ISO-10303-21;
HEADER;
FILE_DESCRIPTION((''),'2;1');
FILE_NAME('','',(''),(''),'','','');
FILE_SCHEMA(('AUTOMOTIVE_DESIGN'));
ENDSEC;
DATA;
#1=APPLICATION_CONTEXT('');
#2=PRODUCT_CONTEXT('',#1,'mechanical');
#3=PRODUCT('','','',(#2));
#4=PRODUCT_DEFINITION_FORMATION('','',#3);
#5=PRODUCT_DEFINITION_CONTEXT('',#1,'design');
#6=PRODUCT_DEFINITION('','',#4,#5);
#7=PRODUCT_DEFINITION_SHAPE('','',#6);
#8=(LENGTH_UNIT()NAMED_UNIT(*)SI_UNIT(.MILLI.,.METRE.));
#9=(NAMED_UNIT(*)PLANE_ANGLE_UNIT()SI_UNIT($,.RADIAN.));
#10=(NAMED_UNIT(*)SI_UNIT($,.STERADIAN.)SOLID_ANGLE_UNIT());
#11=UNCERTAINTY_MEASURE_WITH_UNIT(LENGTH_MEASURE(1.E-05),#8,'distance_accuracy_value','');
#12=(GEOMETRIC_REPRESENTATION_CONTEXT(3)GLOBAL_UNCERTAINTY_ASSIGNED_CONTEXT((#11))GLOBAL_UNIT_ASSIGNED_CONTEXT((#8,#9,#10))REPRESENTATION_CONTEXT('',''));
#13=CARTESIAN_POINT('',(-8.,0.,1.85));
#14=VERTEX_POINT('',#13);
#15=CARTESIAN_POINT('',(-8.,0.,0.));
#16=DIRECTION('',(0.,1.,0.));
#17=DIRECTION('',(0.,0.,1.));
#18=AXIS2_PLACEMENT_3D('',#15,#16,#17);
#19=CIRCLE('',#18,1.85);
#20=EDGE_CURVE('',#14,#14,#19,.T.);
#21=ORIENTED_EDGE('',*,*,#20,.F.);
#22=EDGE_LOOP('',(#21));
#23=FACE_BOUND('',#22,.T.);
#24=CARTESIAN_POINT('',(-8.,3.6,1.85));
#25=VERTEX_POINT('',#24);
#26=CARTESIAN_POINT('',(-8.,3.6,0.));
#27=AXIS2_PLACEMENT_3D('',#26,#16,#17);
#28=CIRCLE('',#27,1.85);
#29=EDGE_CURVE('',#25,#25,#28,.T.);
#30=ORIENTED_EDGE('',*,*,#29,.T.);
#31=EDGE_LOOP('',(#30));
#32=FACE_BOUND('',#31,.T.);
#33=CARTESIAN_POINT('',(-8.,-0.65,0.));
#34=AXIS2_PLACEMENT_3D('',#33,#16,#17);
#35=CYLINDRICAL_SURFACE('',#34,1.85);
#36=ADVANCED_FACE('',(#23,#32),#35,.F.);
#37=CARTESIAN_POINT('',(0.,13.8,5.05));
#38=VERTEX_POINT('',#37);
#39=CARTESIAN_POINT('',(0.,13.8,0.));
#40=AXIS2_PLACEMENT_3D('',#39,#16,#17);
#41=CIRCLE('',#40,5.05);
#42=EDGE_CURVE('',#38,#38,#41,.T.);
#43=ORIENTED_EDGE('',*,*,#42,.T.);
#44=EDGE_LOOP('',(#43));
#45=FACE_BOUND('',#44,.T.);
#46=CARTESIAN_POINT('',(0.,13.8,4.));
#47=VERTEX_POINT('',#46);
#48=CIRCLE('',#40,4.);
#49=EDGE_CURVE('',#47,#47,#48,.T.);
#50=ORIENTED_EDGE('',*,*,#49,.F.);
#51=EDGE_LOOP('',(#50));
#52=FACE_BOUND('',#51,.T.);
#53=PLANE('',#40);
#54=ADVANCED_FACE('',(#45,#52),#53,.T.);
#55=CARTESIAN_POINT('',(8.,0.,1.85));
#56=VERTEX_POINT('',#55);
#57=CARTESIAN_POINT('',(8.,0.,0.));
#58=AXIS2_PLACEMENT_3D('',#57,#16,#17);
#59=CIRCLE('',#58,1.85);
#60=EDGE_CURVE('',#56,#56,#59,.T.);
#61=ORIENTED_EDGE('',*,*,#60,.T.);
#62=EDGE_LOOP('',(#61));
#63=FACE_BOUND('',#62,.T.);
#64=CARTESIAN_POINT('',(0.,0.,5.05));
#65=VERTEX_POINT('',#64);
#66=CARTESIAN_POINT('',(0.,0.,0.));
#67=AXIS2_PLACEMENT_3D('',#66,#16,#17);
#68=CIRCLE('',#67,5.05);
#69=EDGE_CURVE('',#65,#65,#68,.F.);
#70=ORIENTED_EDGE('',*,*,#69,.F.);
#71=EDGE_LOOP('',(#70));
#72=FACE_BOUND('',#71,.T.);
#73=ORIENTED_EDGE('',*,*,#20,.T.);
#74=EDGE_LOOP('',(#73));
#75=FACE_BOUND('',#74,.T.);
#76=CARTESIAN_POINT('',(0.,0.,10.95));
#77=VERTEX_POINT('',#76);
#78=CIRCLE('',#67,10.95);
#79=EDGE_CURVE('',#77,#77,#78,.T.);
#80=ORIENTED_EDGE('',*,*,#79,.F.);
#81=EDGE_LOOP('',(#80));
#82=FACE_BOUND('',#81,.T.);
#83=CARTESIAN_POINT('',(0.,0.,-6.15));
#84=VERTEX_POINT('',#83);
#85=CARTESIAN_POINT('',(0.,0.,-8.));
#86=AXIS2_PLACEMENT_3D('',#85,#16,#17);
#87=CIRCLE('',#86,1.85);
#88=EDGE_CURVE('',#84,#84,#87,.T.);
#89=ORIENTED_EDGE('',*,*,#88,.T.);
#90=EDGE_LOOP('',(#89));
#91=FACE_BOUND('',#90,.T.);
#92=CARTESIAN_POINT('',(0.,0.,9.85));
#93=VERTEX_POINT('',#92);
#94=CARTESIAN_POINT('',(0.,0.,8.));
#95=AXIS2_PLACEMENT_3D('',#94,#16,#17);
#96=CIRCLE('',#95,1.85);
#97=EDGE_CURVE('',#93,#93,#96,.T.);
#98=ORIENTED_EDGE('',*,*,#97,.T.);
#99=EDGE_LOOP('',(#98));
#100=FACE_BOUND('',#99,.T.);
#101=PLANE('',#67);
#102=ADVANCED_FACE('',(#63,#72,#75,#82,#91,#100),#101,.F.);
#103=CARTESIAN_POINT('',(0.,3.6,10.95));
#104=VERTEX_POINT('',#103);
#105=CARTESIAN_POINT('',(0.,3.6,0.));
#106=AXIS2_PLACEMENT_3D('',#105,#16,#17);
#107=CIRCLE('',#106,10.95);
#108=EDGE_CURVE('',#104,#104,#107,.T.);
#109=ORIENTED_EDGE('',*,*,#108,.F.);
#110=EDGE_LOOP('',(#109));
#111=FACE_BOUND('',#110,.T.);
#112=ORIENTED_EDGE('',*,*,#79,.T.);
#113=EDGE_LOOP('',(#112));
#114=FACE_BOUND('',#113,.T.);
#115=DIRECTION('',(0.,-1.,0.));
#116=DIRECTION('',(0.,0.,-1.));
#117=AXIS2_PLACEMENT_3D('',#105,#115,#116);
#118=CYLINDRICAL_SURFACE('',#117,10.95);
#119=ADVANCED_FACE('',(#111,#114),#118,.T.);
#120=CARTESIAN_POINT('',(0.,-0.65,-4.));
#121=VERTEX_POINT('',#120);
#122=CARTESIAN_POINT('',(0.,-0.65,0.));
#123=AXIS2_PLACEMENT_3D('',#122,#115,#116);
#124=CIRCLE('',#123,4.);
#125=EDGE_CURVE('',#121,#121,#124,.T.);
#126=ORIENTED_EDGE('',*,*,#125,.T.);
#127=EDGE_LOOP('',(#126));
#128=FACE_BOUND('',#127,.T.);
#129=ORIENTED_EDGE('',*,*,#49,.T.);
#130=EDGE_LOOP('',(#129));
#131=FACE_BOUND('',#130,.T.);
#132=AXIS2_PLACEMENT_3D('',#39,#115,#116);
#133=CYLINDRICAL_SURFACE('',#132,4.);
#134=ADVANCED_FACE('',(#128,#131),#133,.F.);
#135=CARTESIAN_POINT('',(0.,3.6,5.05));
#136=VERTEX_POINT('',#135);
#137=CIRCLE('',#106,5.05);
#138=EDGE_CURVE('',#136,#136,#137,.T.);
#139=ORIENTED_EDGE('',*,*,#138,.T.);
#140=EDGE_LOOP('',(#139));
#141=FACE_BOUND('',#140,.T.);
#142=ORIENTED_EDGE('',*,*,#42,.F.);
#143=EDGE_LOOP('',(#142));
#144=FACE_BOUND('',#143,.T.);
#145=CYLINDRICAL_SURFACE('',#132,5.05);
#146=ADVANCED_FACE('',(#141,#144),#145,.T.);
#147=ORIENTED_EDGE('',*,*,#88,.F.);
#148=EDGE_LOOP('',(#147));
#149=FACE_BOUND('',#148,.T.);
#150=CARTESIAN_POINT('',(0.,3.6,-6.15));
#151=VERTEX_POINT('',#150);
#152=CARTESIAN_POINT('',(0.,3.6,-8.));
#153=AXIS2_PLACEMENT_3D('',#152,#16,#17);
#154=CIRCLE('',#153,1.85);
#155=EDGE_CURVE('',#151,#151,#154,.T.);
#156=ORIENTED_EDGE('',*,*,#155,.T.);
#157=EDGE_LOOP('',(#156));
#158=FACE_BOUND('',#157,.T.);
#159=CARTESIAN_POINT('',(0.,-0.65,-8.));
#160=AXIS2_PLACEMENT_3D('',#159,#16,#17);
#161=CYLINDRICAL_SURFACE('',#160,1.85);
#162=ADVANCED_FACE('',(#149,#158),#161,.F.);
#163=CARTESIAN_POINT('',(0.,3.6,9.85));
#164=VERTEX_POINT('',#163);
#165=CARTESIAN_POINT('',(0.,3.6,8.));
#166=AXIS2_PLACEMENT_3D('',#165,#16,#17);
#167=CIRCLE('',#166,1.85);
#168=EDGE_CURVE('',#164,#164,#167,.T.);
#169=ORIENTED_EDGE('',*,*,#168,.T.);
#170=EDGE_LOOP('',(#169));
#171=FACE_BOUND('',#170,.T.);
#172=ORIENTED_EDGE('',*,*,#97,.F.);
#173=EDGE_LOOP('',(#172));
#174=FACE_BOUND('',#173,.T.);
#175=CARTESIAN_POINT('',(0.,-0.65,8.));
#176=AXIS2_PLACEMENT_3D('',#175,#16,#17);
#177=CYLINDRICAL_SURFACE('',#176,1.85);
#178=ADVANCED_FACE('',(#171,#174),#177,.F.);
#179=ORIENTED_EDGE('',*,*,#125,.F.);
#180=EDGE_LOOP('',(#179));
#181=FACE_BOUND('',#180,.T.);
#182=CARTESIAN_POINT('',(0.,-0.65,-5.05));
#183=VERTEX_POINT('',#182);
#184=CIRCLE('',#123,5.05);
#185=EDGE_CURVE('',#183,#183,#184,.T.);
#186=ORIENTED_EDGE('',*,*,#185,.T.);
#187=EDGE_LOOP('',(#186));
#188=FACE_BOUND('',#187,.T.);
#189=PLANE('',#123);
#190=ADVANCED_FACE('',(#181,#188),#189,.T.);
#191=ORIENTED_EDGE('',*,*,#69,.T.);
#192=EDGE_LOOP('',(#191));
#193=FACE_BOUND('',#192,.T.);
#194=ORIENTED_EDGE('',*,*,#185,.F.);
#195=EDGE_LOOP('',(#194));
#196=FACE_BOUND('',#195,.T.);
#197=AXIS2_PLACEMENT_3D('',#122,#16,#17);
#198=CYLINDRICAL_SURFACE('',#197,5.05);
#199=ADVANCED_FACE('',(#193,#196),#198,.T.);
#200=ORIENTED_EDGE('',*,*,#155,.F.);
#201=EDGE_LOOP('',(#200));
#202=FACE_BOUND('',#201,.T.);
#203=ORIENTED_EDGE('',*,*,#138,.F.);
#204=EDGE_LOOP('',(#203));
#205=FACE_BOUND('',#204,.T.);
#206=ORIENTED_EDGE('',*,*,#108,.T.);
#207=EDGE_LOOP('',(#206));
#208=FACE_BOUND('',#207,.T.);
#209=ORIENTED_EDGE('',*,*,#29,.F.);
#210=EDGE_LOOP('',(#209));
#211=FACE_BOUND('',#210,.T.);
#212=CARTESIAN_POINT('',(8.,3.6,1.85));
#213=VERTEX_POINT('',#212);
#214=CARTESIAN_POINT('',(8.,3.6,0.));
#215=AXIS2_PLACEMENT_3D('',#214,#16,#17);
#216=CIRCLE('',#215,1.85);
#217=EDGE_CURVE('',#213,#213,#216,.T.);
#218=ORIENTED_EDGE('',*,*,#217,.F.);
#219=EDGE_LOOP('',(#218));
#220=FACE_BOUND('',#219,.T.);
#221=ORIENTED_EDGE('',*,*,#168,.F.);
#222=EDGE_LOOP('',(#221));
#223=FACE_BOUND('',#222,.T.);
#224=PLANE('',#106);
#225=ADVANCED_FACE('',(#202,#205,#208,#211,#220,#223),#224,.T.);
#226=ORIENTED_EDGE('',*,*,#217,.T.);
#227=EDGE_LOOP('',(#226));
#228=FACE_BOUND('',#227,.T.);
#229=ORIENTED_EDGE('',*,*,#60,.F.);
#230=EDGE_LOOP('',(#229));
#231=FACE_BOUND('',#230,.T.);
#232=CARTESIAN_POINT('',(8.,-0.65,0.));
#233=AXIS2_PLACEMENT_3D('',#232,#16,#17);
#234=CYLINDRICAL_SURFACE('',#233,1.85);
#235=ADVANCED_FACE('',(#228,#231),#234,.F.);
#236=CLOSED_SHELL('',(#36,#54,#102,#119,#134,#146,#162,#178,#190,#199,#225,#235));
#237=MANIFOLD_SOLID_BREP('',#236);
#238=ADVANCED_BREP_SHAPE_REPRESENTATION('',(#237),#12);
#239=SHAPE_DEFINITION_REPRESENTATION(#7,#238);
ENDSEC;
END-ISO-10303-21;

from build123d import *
from build123d.topology import SkipClean

# Parameters (mm, degrees)
SKETCH1_R               = 10.95
BOSS_EXTRUDE1_DEPTH     = 3.6
SKETCH2_R               = 5.05
SKETCH2_R_2             = 4
BOSS_EXTRUDE2_DEPTH     = 10.2
SKETCH3_R               = 5.05
SKETCH3_R_2             = 4
BOSS_EXTRUDE4_DEPTH     = 0.65
SKETCH4_R               = 1.85
SKETCH4_R_2             = 4
CUT_EXTRUDE1_DEPTH      = 11.2
CUT_EXTRUDE1_DEPTH_BACK = 5.25


with BuildPart() as part:
    # Sketch1 → Boss-Extrude1 (new body)
    with BuildSketch(Plane(origin=(0, 0, 0), x_dir=(1, 0, 0), z_dir=(0, 1, 0))):
        with Locations(Location((0, 0, 0), (0, 0, 270))):  # turned: the seam where the file's is
            Circle(SKETCH1_R)
    extrude(amount=BOSS_EXTRUDE1_DEPTH)

    # Sketch2 → Boss-Extrude2 (add)
    with BuildSketch(Plane(origin=(0, 3.6, 0), x_dir=(1, 0, 0), z_dir=(0, 1, 0))):
        with Locations(Location((0, 0, 0), (0, 0, 270))):  # turned: the seam where the file's is
            Circle(SKETCH2_R)
        with Locations(Location((0, 0, 0), (0, 0, 270))):  # turned: the seam where the file's is
            Circle(SKETCH2_R_2, mode=Mode.SUBTRACT)
    extrude(amount=BOSS_EXTRUDE2_DEPTH)

    # Sketch3 → Boss-Extrude4 (add)
    with BuildSketch(Plane.XZ):
        with Locations(Location((0, 0, 0), (0, 0, 90))):  # turned: the seam where the file's is
            Circle(SKETCH3_R)
        with Locations(Location((0, 0, 0), (0, 0, 90))):  # turned: the seam where the file's is
            Circle(SKETCH3_R_2, mode=Mode.SUBTRACT)
    extrude(amount=BOSS_EXTRUDE4_DEPTH)

    # Sketch4 → Cut-Extrude1 (cut, two sides)
    with SkipClean():  # keep this step's faces unmerged: merging them makes the solid invalid here
        with BuildSketch(Plane(origin=(0, 3.6, 0), x_dir=(1, 0, 0), z_dir=(0, 1, 0))) as cut_extrude1_sk:
            with Locations(Location((0, 8, 0), (0, 0, 270))):  # turned: the seam where the file's is
                Circle(SKETCH4_R)
            with Locations(Location((0, 0, 0), (0, 0, 90))):  # turned: the seam where the file's is
                Circle(SKETCH4_R_2)
            with Locations(Location((8, 0, 0), (0, 0, 270))):  # turned: the seam where the file's is
                Circle(SKETCH4_R)
            with Locations(Location((0, -8, 0), (0, 0, 270))):  # turned: the seam where the file's is
                Circle(SKETCH4_R)
            with Locations(Location((-8, 0, 0), (0, 0, 270))):  # turned: the seam where the file's is
                Circle(SKETCH4_R)
        extrude(amount=CUT_EXTRUDE1_DEPTH, mode=Mode.SUBTRACT)
        extrude(cut_extrude1_sk.sketch, amount=-CUT_EXTRUDE1_DEPTH_BACK, mode=Mode.SUBTRACT)


solid = part.part
